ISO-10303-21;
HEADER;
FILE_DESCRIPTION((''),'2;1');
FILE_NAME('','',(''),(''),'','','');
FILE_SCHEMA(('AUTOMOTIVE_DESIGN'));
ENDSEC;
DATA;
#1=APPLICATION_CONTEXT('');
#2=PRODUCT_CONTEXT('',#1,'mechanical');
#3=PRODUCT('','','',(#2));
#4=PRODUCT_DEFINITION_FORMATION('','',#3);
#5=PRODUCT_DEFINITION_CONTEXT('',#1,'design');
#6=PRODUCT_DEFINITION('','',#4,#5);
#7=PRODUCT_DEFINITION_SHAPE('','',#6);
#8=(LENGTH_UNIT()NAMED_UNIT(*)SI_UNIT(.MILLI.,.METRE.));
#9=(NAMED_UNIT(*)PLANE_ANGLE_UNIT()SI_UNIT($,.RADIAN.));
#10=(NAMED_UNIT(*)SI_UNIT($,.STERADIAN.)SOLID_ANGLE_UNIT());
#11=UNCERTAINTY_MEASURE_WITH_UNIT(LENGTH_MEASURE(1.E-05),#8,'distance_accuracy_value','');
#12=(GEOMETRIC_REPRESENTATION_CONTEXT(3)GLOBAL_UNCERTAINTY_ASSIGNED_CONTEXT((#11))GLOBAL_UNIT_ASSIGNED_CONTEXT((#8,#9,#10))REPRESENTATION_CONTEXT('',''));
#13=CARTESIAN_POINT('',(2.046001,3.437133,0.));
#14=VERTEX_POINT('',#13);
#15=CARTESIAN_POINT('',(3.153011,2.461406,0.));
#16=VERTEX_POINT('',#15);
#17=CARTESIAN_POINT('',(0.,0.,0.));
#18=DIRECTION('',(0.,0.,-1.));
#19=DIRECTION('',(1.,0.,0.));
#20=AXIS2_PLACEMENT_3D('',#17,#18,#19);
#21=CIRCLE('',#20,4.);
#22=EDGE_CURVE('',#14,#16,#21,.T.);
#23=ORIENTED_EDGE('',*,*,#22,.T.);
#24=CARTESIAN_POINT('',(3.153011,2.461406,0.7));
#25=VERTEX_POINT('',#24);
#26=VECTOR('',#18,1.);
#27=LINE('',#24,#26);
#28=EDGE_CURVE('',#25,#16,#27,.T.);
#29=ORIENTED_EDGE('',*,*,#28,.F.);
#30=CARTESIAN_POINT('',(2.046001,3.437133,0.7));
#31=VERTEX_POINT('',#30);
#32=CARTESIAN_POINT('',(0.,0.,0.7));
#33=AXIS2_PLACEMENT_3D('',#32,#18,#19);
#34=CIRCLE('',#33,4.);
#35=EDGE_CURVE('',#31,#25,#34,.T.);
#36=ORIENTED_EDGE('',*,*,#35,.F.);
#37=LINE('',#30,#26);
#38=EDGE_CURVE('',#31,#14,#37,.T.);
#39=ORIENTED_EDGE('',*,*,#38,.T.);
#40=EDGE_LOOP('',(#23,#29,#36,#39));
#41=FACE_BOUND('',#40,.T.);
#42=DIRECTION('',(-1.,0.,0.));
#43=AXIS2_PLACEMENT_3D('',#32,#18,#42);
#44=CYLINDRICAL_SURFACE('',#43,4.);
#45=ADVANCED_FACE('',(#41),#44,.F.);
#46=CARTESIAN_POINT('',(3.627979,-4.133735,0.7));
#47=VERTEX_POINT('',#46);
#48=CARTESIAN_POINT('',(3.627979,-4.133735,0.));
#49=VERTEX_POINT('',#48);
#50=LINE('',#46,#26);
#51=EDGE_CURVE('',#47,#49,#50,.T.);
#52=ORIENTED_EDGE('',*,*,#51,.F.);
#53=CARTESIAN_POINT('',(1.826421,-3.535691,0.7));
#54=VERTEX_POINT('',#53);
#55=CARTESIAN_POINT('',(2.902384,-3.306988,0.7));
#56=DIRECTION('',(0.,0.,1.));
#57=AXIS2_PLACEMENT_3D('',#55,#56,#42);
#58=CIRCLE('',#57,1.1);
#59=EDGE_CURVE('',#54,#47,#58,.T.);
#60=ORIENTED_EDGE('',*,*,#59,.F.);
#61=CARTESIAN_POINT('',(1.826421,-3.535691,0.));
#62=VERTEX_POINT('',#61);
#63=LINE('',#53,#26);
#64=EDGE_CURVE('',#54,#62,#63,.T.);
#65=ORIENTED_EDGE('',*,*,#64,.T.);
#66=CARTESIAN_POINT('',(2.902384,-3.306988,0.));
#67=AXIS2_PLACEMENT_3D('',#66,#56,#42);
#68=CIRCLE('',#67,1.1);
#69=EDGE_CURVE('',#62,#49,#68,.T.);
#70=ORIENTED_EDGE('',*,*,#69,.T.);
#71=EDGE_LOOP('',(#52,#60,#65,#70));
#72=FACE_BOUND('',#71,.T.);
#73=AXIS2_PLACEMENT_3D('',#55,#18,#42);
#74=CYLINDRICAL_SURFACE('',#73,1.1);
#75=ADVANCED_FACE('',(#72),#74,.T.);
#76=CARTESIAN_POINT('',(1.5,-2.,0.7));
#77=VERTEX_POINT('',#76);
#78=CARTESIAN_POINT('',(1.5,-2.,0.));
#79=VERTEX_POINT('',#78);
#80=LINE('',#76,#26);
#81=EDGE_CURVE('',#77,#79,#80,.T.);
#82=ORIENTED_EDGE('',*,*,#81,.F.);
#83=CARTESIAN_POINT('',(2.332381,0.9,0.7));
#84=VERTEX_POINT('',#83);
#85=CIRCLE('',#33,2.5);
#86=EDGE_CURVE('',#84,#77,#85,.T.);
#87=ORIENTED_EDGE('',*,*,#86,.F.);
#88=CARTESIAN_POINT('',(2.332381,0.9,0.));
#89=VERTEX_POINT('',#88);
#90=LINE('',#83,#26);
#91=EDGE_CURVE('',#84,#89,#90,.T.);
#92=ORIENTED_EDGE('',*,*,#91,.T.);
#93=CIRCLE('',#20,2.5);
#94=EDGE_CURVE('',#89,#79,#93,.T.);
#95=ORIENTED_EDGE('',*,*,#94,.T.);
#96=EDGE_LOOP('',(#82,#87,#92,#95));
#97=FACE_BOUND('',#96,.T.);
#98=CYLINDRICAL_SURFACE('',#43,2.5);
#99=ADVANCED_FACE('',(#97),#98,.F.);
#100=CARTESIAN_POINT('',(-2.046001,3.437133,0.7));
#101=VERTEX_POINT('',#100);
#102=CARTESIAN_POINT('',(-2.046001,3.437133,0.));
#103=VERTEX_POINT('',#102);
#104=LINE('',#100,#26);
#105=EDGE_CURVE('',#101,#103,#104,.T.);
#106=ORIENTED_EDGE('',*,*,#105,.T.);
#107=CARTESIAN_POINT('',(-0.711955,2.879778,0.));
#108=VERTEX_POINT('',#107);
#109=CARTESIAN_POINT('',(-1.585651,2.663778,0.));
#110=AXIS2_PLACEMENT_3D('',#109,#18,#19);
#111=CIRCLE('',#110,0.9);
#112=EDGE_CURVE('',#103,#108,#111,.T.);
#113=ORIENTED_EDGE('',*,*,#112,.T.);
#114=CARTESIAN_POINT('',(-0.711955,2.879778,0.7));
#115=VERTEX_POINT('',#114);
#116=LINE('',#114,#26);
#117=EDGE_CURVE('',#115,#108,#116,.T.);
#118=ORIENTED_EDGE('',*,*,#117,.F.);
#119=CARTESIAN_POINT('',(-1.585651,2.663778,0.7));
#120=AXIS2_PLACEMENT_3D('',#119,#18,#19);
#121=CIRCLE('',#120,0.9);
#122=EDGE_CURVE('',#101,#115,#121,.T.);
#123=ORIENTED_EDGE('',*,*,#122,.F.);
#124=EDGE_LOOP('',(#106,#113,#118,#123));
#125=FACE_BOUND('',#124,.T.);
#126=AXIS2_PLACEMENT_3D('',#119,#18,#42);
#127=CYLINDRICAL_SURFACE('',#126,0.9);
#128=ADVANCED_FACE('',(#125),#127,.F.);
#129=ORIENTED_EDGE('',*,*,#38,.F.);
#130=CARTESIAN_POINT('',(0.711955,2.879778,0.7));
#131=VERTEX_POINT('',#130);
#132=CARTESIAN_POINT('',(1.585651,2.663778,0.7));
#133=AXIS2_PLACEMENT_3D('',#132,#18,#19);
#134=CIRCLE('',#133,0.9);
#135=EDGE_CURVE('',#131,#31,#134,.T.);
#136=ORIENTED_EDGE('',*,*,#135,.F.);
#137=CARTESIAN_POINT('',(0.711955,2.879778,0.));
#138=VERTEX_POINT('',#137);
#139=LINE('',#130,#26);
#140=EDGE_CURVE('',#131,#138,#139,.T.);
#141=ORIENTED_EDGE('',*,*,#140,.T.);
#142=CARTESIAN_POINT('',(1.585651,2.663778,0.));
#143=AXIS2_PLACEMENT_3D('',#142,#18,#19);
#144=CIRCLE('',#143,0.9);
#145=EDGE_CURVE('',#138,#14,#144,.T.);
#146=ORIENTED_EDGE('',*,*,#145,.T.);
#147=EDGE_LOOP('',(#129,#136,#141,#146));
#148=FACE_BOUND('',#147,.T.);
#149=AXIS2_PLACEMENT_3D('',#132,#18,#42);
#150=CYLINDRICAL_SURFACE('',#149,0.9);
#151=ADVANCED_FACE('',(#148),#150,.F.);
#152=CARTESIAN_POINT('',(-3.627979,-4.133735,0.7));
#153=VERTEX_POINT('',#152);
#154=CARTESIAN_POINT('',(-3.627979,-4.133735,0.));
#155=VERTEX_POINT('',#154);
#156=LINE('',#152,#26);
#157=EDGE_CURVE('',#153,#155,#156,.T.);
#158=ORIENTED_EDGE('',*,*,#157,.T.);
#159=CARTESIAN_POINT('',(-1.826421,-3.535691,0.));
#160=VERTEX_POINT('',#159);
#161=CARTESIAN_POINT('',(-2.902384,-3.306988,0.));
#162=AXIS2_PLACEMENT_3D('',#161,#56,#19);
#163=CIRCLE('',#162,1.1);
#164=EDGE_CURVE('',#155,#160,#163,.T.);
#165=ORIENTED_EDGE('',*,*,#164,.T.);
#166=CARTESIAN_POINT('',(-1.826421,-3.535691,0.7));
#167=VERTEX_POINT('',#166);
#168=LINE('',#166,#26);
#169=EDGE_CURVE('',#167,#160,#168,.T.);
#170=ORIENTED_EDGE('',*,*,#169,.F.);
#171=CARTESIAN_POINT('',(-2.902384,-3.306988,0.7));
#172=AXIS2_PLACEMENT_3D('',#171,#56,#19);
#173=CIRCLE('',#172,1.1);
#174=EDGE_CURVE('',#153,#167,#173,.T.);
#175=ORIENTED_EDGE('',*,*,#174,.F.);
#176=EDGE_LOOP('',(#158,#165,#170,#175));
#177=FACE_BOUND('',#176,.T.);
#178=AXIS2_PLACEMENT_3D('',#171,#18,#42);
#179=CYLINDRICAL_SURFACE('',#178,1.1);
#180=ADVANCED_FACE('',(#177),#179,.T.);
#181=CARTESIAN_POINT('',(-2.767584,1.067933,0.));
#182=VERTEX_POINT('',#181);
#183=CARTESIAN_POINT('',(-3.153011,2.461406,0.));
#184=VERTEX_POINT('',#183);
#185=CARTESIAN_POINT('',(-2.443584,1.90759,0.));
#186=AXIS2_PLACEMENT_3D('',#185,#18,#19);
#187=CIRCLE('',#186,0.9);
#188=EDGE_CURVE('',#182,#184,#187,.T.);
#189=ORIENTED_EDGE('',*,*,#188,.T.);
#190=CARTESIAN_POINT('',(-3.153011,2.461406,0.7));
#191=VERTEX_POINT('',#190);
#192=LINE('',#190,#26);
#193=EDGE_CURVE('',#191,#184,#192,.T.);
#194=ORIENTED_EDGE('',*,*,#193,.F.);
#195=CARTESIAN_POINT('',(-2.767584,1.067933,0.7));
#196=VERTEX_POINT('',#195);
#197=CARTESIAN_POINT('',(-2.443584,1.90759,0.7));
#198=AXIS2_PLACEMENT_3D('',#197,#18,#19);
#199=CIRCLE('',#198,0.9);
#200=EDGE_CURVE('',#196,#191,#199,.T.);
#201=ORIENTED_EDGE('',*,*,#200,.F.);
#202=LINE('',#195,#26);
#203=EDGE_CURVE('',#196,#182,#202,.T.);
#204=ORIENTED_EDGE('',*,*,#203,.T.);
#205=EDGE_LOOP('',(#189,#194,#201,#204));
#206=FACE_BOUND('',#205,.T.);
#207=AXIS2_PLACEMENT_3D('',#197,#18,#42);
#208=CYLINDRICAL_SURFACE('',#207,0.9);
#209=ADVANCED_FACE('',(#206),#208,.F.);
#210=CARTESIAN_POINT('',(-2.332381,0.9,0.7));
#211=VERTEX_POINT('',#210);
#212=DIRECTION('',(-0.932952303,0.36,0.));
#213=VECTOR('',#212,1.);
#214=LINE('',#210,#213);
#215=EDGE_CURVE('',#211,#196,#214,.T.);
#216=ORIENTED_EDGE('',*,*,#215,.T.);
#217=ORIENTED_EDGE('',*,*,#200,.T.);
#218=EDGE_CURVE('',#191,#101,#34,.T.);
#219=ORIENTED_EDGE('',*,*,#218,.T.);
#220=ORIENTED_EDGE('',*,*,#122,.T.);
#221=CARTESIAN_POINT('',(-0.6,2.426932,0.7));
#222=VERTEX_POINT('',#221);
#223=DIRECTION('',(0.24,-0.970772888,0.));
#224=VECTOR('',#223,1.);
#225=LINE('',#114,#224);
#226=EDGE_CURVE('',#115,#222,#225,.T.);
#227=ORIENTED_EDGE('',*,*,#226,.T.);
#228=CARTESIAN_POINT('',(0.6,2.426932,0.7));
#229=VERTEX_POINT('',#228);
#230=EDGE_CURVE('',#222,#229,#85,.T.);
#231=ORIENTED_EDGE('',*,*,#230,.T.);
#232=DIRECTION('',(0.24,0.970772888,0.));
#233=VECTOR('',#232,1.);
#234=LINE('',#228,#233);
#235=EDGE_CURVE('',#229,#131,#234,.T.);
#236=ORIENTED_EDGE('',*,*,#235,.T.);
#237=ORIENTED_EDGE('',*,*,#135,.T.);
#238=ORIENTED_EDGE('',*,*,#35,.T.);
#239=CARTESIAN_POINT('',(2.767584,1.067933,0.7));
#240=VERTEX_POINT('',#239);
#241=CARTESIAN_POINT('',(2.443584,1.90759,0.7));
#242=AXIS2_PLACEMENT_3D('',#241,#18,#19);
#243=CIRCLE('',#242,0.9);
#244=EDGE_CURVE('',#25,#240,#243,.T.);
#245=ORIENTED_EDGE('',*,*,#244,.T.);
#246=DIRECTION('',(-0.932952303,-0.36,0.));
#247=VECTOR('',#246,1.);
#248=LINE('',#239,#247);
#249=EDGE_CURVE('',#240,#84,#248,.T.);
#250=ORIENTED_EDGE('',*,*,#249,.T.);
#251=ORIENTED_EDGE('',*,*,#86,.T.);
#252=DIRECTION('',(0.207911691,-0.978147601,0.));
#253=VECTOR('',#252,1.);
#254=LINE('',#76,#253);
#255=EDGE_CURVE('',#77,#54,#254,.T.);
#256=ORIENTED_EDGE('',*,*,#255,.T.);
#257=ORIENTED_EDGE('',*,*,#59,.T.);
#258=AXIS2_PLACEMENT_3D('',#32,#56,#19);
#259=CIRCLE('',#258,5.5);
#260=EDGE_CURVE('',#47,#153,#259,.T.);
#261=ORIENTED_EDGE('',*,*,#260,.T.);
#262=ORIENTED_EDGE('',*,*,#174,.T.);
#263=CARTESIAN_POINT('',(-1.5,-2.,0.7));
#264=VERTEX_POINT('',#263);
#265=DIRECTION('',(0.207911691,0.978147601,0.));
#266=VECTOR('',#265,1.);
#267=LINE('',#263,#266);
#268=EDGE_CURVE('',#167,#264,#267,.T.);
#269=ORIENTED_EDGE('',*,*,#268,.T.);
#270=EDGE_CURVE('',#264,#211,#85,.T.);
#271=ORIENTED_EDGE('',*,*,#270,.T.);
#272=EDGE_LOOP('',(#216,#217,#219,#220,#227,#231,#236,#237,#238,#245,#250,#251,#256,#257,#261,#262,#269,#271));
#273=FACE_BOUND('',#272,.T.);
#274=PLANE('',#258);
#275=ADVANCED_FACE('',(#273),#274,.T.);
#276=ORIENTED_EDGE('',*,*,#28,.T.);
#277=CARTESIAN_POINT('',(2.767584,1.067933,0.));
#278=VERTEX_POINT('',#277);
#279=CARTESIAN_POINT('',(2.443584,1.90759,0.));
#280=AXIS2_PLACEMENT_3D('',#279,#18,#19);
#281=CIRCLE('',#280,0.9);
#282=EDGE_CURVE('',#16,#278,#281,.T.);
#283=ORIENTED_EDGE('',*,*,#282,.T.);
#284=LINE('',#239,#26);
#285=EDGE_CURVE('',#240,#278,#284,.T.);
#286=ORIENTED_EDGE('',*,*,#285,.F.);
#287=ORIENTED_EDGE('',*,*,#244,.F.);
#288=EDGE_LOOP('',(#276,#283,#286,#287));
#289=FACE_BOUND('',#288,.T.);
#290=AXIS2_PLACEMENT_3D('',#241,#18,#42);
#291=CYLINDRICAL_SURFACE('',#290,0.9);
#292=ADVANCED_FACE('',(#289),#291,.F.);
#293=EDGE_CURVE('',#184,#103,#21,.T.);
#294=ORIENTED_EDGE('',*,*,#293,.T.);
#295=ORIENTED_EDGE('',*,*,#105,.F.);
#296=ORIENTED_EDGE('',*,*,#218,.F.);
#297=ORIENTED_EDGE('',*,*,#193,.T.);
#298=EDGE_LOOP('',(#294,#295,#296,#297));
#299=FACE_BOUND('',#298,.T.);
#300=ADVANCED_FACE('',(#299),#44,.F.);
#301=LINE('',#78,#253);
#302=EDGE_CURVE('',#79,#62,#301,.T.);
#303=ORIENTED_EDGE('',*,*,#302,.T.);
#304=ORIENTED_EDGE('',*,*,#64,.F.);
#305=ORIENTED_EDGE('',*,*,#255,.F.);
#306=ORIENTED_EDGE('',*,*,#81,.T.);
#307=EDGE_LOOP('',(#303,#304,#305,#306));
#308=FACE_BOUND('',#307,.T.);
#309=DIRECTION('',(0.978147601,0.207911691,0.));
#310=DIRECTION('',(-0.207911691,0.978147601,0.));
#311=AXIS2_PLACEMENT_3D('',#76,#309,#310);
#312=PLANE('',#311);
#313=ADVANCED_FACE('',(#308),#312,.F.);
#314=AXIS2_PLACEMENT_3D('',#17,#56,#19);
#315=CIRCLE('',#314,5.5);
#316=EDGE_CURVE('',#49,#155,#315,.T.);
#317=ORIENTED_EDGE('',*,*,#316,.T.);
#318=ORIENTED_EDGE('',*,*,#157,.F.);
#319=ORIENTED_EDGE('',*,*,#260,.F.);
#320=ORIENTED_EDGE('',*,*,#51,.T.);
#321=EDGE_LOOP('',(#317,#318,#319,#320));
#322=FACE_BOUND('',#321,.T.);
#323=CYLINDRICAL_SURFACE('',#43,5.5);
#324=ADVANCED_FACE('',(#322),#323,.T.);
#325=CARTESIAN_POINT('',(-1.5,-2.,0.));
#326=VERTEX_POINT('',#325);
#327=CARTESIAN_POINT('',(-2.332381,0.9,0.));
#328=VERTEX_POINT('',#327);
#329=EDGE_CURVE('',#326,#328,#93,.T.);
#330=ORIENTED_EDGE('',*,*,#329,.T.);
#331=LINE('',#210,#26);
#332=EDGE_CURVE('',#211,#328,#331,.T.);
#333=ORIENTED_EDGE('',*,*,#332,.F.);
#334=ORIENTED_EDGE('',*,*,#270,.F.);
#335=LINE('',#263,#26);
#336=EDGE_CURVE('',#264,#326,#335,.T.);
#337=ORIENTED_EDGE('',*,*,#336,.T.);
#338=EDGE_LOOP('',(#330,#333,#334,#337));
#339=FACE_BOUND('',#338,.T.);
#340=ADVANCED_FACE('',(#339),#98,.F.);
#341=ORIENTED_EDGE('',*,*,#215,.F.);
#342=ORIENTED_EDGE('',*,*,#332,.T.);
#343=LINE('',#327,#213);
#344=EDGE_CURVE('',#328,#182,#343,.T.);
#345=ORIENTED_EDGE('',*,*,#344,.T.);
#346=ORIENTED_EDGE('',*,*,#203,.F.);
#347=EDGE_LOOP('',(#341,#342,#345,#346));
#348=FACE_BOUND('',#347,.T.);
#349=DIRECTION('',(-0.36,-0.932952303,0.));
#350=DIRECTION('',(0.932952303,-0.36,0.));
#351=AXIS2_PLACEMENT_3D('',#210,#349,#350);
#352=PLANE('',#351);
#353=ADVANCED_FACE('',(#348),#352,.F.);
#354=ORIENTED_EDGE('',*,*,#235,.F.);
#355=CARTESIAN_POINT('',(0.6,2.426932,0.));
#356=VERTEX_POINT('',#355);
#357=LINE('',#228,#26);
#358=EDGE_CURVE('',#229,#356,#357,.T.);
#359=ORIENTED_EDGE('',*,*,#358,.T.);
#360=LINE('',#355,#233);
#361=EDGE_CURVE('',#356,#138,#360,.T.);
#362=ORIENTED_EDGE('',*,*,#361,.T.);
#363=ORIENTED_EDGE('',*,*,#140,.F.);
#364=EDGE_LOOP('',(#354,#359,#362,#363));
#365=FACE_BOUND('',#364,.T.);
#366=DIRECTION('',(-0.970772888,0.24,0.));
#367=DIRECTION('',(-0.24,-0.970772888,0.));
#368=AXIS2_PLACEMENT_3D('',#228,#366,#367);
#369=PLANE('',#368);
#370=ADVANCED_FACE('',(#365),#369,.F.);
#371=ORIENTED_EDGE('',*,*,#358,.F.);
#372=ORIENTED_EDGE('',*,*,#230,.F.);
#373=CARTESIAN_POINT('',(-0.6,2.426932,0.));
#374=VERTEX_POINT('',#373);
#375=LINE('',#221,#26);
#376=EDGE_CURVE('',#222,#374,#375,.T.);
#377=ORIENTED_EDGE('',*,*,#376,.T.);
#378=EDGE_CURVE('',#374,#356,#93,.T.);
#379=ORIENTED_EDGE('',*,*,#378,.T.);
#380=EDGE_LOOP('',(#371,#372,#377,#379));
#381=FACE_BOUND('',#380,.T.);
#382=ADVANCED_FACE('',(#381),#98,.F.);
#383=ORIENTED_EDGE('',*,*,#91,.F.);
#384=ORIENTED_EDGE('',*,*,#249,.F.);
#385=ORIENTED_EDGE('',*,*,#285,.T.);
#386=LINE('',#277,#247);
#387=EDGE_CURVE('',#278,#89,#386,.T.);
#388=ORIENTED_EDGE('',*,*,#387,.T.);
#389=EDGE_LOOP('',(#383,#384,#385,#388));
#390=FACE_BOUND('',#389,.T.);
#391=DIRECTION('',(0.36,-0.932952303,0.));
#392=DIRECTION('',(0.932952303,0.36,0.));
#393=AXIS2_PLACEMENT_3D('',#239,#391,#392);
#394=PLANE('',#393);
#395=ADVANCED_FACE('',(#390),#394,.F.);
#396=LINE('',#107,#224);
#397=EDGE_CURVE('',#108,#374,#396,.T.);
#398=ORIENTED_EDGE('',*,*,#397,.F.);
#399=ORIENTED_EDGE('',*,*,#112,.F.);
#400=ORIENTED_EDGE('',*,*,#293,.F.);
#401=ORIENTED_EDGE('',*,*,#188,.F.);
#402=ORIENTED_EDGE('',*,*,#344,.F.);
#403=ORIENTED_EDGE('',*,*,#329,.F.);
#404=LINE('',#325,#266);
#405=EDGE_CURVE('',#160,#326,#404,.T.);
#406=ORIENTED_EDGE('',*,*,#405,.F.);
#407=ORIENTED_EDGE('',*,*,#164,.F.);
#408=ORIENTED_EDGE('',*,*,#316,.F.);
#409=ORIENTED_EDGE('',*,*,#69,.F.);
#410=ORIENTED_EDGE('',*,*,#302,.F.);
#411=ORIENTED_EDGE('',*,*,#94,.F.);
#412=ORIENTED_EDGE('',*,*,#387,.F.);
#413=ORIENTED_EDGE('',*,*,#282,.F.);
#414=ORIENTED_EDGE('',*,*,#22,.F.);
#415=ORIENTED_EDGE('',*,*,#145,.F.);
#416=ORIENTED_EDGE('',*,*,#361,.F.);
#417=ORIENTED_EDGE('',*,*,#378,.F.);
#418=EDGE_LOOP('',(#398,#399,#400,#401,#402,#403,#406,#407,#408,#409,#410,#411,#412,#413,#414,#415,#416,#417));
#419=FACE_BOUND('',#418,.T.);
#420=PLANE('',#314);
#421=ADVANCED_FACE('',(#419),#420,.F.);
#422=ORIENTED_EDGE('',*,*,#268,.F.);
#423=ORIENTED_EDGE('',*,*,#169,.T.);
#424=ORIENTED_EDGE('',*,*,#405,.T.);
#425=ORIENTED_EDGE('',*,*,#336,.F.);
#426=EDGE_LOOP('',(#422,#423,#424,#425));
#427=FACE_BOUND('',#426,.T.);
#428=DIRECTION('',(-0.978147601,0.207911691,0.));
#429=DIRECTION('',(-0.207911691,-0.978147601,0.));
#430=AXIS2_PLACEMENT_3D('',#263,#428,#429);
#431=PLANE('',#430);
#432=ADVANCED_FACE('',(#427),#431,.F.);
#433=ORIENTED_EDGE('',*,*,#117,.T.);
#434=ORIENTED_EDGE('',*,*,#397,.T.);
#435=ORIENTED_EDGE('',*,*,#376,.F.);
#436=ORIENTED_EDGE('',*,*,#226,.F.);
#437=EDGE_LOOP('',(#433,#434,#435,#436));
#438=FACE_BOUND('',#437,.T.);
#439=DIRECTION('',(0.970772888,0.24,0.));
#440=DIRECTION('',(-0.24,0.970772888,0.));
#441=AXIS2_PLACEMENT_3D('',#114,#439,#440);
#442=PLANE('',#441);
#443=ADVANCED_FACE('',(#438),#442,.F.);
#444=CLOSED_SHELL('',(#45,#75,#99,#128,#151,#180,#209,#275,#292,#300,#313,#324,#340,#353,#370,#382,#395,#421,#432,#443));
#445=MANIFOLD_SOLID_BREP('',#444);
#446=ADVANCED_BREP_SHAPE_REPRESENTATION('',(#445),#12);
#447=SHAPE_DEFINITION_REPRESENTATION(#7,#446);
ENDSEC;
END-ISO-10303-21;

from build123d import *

# Parameters (mm, degrees)
BOSS_EXTRU_1_DEPTH = 0.7


with BuildPart() as part:
    # Esquisse1 → Boss.-Extru.1 (new body)
    with BuildSketch(Plane.XY):
        with BuildLine():
            Line((-1.5, -2), (-1.826421175, -3.535690887))
            ThreePointArc((-1.826421175, -3.535690887), (-2.555824208, -4.350969173), (-3.627979419, -4.133735034))
            ThreePointArc((-3.627979419, -4.133735034), (0, 5.5), (3.627979419, -4.133735034))
            ThreePointArc((3.627979419, -4.133735034), (2.555824208, -4.350969173), (1.826421175, -3.535690887))
            Line((1.826421175, -3.535690887), (1.5, -2))
            ThreePointArc((1.5, -2), (2.402974317, -0.689720546), (2.332380758, 0.9))
            Line((2.332380758, 0.9), (2.767583784, 1.067932582))
            ThreePointArc((2.767583784, 1.067932582), (3.311013995, 1.66766294), (3.153011334, 2.461406006))
            ThreePointArc((3.153011334, 2.461406006), (2.644889885, 3.000759486), (2.046000844, 3.437132605))
            ThreePointArc((2.046000844, 3.437132605), (1.238700066, 3.494214576), (0.711955055, 2.879777769))
            Line((0.711955055, 2.879777769), (0.6, 2.42693222))
            ThreePointArc((0.6, 2.42693222), (0, 2.5), (-0.6, 2.42693222))
            Line((-0.6, 2.42693222), (-0.711955055, 2.879777769))
            ThreePointArc((-0.711955055, 2.879777769), (-1.238700066, 3.494214576), (-2.046000844, 3.437132605))
            ThreePointArc((-2.046000844, 3.437132605), (-2.644889885, 3.000759486), (-3.153011334, 2.461406006))
            ThreePointArc((-3.153011334, 2.461406006), (-3.311013995, 1.66766294), (-2.767583784, 1.067932582))
            Line((-2.767583784, 1.067932582), (-2.332380758, 0.9))
            ThreePointArc((-2.332380758, 0.9), (-2.402974317, -0.689720546), (-1.5, -2))
        make_face()
    extrude(amount=BOSS_EXTRU_1_DEPTH)


solid = part.part
